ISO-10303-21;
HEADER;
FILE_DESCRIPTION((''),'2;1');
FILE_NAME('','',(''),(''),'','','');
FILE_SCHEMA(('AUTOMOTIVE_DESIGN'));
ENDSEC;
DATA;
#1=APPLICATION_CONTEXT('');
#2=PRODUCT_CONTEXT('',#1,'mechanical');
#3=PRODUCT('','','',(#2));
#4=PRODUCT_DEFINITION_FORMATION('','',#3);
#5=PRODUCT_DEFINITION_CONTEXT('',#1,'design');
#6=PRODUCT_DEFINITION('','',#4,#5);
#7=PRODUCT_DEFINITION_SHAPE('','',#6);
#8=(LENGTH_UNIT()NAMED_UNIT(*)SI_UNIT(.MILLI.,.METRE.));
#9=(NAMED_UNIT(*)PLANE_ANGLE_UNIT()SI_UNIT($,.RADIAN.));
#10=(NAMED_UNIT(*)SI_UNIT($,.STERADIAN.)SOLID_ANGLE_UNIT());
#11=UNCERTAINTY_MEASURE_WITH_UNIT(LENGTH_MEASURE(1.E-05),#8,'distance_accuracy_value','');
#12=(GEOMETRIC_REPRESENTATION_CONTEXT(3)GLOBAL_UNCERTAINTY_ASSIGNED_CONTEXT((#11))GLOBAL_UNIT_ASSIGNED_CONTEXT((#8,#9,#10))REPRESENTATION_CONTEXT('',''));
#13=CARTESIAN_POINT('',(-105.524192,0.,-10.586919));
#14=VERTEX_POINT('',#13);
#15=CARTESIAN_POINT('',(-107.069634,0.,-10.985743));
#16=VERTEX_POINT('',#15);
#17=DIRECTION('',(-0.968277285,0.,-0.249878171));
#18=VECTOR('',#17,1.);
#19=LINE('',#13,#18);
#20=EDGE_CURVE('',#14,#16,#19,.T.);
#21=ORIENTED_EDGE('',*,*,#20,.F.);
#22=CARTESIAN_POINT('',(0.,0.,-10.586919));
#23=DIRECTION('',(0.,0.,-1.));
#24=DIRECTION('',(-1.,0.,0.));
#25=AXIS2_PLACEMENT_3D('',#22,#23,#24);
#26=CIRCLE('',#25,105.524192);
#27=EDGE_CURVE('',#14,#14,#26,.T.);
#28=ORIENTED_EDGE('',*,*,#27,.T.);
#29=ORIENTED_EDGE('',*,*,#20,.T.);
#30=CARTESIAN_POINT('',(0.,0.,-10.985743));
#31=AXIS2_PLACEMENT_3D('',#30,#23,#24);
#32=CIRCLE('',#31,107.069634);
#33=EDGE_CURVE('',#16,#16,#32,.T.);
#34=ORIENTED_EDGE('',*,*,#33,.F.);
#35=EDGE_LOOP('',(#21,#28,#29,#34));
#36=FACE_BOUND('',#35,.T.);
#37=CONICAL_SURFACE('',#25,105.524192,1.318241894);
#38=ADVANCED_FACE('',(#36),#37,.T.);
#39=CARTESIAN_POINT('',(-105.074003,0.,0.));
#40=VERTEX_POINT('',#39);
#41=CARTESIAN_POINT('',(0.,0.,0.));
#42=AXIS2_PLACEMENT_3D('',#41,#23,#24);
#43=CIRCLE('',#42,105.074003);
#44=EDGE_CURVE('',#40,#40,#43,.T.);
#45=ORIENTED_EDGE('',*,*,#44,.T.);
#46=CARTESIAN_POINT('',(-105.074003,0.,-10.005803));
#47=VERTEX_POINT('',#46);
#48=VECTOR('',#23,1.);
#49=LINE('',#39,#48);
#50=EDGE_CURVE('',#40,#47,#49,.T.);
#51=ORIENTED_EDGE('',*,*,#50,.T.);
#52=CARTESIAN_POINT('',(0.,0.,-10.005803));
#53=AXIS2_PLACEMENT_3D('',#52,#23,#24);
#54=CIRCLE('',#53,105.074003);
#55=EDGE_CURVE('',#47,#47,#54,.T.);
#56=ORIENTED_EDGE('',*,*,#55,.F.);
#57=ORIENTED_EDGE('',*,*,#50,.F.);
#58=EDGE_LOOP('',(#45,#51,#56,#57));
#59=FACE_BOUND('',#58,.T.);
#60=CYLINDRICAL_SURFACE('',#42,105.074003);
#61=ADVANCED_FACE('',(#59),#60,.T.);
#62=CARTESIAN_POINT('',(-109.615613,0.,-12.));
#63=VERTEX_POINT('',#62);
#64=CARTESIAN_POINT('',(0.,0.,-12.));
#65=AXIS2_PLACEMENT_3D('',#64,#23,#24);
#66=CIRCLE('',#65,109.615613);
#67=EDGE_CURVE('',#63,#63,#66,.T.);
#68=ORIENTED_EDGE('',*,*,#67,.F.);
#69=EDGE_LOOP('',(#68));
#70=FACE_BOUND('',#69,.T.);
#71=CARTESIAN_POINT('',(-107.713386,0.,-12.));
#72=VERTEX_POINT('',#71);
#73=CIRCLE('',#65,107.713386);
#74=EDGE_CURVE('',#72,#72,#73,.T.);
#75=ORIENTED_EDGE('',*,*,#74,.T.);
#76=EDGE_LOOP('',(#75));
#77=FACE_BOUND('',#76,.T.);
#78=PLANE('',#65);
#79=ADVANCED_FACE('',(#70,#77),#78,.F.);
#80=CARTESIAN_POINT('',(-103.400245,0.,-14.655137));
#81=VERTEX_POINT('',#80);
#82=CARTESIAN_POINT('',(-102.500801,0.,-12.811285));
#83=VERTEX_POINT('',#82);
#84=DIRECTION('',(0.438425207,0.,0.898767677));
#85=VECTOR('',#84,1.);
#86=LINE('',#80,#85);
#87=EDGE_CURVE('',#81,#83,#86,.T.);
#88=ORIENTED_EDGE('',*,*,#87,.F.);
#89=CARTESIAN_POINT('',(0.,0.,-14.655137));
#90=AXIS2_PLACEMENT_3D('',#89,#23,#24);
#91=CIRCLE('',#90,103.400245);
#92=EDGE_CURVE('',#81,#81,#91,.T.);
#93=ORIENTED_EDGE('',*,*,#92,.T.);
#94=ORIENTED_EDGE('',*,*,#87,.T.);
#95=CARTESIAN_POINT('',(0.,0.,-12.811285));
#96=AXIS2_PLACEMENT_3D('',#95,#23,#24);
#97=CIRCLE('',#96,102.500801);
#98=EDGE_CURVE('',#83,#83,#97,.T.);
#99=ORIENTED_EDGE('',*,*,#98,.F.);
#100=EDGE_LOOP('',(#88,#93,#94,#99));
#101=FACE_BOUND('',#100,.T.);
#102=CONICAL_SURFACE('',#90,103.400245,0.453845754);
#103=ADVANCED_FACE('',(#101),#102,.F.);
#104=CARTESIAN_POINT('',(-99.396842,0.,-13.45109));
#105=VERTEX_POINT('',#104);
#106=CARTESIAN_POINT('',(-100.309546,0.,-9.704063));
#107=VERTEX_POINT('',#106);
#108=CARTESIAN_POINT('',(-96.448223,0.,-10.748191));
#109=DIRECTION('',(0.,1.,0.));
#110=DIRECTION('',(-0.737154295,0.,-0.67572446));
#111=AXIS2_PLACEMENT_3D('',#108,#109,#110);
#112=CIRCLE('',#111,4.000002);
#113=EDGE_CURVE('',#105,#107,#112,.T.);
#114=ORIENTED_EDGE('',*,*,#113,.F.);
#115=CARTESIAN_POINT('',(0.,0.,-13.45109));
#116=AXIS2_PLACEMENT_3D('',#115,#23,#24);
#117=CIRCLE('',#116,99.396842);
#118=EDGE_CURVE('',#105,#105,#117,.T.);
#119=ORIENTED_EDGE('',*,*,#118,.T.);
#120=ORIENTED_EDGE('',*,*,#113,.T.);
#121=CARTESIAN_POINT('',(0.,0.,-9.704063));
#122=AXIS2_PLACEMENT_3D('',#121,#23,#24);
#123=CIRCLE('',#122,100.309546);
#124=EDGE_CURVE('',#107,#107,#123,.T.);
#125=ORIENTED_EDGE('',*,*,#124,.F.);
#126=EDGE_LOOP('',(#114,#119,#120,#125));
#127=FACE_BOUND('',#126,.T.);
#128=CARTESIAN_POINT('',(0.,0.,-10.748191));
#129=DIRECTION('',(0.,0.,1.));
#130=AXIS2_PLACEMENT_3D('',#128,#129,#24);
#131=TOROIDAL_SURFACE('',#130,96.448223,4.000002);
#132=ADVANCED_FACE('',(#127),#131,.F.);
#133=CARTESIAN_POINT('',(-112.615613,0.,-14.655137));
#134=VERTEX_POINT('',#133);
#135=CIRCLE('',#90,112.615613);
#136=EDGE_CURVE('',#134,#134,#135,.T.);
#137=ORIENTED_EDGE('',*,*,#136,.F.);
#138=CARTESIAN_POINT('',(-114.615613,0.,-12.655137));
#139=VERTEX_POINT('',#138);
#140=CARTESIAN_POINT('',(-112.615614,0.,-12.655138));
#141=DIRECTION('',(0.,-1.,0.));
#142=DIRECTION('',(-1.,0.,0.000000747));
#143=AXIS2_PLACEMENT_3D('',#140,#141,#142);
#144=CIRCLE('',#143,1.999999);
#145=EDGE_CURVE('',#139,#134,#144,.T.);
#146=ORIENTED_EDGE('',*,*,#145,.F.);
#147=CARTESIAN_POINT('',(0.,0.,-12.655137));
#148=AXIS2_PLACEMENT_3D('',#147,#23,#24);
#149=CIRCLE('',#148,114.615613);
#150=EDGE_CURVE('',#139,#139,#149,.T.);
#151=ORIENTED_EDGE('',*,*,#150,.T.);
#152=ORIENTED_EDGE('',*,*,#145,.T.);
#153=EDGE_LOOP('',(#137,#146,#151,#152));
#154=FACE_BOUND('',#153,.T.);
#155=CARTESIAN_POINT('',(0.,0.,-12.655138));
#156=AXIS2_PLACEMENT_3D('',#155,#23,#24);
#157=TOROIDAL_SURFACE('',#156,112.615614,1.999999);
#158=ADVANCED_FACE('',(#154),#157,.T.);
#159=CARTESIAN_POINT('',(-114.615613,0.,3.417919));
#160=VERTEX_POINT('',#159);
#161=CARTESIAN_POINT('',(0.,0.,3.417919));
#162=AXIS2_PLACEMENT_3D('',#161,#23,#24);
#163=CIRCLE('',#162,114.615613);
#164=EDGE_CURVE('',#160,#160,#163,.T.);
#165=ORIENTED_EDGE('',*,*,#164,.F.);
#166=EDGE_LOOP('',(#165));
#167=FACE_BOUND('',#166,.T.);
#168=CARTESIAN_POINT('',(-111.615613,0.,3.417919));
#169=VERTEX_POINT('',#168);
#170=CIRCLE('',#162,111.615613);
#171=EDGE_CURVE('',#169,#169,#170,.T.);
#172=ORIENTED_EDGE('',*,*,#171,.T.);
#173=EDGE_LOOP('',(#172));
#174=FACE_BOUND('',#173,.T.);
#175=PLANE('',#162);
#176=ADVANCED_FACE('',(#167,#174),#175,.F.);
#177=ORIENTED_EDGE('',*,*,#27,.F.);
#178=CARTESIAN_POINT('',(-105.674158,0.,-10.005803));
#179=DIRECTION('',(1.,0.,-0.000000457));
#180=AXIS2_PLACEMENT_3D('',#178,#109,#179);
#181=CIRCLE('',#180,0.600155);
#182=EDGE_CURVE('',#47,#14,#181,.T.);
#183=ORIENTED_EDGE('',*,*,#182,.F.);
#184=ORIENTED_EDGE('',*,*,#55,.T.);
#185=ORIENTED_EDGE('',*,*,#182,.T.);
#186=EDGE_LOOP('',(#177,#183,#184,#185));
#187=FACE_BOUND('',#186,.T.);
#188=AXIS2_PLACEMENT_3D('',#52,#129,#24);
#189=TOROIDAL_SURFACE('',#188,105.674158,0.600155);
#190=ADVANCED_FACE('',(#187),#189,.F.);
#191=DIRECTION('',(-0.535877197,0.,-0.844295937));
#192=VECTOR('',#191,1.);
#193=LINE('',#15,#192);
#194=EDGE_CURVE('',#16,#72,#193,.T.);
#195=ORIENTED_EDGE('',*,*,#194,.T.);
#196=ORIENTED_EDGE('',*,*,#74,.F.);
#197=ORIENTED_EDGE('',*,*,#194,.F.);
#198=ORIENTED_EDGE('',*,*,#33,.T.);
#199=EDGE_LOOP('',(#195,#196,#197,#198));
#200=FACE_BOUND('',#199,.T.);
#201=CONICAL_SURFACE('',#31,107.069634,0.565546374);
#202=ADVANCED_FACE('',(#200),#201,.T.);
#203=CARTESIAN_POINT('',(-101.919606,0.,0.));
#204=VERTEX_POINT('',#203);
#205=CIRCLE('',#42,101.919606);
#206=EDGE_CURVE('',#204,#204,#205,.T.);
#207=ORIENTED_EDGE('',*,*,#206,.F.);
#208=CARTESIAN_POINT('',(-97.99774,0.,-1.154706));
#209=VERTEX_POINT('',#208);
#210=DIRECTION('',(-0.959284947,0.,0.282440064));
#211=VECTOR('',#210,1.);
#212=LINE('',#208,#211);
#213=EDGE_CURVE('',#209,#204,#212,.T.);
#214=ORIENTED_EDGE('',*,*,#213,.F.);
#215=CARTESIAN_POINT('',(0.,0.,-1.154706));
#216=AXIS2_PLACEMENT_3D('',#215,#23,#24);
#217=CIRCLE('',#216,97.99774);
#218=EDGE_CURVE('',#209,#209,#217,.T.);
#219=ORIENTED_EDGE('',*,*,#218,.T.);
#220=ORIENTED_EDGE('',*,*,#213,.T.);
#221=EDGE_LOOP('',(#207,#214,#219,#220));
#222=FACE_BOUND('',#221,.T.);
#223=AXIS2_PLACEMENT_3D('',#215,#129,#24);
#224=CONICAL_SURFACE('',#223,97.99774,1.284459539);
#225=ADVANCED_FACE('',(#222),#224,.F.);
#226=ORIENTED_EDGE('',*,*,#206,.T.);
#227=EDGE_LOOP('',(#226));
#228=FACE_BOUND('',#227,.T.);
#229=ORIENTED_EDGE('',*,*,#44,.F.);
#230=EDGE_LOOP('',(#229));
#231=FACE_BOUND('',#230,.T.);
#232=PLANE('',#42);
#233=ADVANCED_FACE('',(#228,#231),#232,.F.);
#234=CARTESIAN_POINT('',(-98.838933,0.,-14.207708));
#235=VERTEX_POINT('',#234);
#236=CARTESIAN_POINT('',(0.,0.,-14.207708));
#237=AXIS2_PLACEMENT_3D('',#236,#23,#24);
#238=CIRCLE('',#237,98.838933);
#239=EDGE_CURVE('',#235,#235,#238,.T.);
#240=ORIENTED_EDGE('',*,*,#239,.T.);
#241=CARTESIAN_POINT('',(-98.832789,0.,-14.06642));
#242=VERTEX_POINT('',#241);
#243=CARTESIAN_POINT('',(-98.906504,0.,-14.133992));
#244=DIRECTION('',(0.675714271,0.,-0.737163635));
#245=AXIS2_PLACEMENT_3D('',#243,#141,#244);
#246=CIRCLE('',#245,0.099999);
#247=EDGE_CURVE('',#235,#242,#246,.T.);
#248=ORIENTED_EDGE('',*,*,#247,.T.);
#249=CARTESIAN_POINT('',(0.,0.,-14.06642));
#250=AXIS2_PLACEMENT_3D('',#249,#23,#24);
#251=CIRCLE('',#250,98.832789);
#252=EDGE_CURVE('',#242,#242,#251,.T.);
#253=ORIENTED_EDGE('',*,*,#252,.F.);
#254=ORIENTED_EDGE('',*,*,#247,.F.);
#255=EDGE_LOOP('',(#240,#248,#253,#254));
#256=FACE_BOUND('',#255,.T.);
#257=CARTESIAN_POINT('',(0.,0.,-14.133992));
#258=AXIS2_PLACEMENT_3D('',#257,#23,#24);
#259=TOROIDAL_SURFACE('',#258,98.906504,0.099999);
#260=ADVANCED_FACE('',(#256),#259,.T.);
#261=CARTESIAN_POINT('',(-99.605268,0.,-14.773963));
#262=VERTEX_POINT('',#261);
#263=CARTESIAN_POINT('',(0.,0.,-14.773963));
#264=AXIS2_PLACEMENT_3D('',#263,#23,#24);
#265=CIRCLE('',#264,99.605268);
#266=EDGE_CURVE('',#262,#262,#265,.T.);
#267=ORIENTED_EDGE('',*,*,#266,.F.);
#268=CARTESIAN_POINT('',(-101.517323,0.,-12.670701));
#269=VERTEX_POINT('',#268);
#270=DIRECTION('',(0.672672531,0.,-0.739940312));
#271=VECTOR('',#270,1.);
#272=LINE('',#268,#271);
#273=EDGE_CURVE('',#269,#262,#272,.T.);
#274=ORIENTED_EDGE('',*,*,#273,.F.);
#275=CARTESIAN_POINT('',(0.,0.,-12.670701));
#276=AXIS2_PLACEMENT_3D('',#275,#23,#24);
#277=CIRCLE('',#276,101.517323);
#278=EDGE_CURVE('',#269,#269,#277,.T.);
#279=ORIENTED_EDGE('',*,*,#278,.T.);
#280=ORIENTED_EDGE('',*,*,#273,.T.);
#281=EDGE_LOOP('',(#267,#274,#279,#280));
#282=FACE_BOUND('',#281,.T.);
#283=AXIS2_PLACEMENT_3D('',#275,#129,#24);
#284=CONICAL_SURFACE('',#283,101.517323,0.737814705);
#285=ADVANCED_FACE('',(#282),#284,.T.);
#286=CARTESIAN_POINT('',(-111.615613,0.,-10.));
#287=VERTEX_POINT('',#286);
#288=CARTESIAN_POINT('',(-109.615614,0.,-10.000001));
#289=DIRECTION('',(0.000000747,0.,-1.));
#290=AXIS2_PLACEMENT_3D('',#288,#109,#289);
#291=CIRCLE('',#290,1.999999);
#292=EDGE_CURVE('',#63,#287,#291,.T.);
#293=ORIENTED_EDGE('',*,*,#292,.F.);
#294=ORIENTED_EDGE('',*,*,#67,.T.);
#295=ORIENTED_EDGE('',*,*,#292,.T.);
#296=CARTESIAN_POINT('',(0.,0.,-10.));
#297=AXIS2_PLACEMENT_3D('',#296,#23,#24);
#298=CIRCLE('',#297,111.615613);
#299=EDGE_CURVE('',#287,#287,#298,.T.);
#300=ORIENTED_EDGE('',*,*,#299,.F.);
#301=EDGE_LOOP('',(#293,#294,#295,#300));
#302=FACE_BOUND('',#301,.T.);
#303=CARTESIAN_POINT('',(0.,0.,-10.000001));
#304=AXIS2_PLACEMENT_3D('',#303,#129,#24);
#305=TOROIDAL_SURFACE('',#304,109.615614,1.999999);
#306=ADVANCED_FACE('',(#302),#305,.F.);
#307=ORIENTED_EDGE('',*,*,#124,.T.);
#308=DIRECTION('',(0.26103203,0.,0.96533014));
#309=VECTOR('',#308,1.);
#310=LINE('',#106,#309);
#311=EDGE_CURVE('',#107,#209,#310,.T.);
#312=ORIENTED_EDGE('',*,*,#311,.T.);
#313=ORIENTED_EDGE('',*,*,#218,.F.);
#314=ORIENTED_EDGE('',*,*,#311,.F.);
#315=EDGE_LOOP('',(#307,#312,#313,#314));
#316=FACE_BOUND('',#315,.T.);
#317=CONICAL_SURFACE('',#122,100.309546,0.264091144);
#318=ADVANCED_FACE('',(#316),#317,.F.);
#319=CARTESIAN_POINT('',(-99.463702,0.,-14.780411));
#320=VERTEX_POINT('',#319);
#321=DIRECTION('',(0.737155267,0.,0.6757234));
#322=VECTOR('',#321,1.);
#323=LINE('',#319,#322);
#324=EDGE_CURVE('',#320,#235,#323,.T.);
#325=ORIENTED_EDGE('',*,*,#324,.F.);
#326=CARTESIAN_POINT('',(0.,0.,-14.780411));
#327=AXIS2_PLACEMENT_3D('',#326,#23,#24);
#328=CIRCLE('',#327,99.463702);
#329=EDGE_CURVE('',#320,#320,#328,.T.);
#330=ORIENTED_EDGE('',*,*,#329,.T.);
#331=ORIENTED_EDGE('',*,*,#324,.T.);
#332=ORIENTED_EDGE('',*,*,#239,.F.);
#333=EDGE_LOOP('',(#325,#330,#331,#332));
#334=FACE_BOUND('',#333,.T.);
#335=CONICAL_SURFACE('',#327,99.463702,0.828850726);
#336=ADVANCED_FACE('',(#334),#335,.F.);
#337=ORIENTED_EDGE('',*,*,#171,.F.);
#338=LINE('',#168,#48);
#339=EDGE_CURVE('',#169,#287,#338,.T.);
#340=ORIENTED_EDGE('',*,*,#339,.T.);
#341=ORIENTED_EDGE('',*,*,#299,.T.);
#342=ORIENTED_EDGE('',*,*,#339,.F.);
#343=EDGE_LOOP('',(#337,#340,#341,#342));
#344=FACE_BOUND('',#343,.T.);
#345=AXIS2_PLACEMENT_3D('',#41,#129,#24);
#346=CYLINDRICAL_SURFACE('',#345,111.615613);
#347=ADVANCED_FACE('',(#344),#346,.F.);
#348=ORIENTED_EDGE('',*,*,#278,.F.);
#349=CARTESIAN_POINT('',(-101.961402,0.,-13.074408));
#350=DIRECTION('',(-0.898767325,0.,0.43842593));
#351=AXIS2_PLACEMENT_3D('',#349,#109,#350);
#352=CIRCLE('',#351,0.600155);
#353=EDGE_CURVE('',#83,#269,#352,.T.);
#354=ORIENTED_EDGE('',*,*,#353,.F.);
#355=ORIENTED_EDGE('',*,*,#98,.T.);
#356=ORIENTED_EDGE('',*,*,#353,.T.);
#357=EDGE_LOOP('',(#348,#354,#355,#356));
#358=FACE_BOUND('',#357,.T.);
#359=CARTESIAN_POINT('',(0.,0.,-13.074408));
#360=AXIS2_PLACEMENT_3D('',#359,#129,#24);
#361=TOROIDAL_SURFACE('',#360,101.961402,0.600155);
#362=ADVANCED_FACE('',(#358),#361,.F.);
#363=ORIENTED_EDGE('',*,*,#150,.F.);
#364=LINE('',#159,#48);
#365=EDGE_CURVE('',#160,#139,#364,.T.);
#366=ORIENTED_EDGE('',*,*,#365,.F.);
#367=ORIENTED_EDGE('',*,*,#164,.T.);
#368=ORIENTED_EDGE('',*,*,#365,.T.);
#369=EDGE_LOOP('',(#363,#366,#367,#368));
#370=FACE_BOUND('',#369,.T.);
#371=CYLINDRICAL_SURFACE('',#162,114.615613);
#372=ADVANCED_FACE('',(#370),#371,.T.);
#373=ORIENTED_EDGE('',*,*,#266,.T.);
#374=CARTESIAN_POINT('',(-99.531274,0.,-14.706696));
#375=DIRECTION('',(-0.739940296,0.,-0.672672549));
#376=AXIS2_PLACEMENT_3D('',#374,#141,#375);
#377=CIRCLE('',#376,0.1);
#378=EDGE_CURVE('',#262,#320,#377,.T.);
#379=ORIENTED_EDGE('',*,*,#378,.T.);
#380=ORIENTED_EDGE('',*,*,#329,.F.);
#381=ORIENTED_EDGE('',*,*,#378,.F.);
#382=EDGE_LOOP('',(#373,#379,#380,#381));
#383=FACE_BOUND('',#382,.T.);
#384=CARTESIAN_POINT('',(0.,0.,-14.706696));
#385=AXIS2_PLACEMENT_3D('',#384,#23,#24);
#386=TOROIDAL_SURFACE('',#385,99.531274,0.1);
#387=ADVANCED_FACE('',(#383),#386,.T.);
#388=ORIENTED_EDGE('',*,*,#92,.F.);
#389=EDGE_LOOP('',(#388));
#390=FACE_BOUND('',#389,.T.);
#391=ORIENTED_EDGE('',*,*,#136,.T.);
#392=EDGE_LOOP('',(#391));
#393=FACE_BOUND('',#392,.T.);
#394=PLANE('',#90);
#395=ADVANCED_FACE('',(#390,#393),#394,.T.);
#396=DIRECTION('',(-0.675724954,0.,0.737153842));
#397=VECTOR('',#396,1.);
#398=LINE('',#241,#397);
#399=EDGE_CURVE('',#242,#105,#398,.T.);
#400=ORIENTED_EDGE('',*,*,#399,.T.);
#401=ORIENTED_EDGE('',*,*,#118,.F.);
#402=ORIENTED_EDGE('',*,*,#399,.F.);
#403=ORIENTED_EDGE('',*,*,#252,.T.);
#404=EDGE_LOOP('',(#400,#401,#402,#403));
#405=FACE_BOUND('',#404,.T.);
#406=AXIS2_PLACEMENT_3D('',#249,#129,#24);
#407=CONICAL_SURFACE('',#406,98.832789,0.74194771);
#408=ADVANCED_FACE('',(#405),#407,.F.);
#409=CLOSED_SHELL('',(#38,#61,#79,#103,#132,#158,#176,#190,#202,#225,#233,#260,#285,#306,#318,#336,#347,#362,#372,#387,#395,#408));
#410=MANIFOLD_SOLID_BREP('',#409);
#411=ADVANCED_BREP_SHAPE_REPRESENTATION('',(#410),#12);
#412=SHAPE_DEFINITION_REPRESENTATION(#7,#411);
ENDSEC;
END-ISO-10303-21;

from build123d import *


with BuildPart() as f1:
    # F0 (on Front) → F1 (revolve)
    with BuildSketch(Plane.XZ):
        with BuildLine():
            Line((-111.615613, 0), (-112.615613, 0))
            Line((-112.615613, 0), (-112.615613, -10))
            ThreePointArc((-112.615613, -10), (-111.736933, -12.12132), (-109.615613, -13))
            Line((-109.615613, -13), (-103.615613, -13))
            Line((-103.615613, -13), (-103.615613, -12))
            Line((-103.615613, -12), (-107.713386, -12))
            Line((-107.713386, -12), (-109.615613, -12))
            ThreePointArc((-109.615613, -12), (-111.029827, -11.414214), (-111.615613, -10))
            Line((-111.615613, -10), (-111.615613, 0))
        make_face()
    revolve(axis=Axis((0, 0, -6.601267), (0, 0, -1)))

    # F0 (on Front) → F2 (revolve)
    with BuildSketch(Plane.XZ):
        with BuildLine():
            Line((-112.615613, -10), (-112.615613, 0))
            Line((-112.615613, 0), (-111.615613, 0))
            Line((-111.615613, 0), (-111.615613, 3.417919))
            Line((-111.615613, 3.417919), (-114.615613, 3.417919))
            Line((-114.615613, 3.417919), (-114.615613, -12.655137))
            ThreePointArc((-114.615613, -12.655137), (-114.029827, -14.069351), (-112.615613, -14.655137))
            Line((-112.615613, -14.655137), (-103.400245, -14.655137))
            Line((-103.400245, -14.655137), (-102.500801, -12.811285))
            ThreePointArc((-102.500801, -12.811285), (-102.046328, -12.480293), (-101.517323, -12.670701))
            Line((-101.517323, -12.670701), (-99.605268, -14.773963))
            ThreePointArc((-99.605268, -14.773963), (-99.535825, -14.806592), (-99.463702, -14.780411))
            Line((-99.463702, -14.780411), (-98.838933, -14.207708))
            ThreePointArc((-98.838933, -14.207708), (-98.806599, -14.138336), (-98.832789, -14.06642))
            Line((-98.832789, -14.06642), (-99.396842, -13.45109))
            ThreePointArc((-99.396842, -13.45109), (-100.334594, -11.694837), (-100.309546, -9.704063))
            Line((-100.309546, -9.704063), (-97.99774, -1.154706))
            Line((-97.99774, -1.154706), (-101.919606, 0))
            Line((-101.919606, 0), (-105.074003, 0))
            Line((-105.074003, 0), (-105.074003, -10.005803))
            ThreePointArc((-105.074003, -10.005803), (-105.199717, -10.373351), (-105.524192, -10.586919))
            Line((-105.524192, -10.586919), (-107.069634, -10.985743))
            Line((-107.069634, -10.985743), (-107.713386, -12))
            Line((-107.713386, -12), (-103.615613, -12))
            Line((-103.615613, -12), (-103.615613, -13))
            Line((-103.615613, -13), (-109.615613, -13))
            ThreePointArc((-109.615613, -13), (-111.736933, -12.12132), (-112.615613, -10))
        make_face()
    revolve(axis=Axis((0, 0, -6.601267), (0, 0, -1)))


solid = f1.part
